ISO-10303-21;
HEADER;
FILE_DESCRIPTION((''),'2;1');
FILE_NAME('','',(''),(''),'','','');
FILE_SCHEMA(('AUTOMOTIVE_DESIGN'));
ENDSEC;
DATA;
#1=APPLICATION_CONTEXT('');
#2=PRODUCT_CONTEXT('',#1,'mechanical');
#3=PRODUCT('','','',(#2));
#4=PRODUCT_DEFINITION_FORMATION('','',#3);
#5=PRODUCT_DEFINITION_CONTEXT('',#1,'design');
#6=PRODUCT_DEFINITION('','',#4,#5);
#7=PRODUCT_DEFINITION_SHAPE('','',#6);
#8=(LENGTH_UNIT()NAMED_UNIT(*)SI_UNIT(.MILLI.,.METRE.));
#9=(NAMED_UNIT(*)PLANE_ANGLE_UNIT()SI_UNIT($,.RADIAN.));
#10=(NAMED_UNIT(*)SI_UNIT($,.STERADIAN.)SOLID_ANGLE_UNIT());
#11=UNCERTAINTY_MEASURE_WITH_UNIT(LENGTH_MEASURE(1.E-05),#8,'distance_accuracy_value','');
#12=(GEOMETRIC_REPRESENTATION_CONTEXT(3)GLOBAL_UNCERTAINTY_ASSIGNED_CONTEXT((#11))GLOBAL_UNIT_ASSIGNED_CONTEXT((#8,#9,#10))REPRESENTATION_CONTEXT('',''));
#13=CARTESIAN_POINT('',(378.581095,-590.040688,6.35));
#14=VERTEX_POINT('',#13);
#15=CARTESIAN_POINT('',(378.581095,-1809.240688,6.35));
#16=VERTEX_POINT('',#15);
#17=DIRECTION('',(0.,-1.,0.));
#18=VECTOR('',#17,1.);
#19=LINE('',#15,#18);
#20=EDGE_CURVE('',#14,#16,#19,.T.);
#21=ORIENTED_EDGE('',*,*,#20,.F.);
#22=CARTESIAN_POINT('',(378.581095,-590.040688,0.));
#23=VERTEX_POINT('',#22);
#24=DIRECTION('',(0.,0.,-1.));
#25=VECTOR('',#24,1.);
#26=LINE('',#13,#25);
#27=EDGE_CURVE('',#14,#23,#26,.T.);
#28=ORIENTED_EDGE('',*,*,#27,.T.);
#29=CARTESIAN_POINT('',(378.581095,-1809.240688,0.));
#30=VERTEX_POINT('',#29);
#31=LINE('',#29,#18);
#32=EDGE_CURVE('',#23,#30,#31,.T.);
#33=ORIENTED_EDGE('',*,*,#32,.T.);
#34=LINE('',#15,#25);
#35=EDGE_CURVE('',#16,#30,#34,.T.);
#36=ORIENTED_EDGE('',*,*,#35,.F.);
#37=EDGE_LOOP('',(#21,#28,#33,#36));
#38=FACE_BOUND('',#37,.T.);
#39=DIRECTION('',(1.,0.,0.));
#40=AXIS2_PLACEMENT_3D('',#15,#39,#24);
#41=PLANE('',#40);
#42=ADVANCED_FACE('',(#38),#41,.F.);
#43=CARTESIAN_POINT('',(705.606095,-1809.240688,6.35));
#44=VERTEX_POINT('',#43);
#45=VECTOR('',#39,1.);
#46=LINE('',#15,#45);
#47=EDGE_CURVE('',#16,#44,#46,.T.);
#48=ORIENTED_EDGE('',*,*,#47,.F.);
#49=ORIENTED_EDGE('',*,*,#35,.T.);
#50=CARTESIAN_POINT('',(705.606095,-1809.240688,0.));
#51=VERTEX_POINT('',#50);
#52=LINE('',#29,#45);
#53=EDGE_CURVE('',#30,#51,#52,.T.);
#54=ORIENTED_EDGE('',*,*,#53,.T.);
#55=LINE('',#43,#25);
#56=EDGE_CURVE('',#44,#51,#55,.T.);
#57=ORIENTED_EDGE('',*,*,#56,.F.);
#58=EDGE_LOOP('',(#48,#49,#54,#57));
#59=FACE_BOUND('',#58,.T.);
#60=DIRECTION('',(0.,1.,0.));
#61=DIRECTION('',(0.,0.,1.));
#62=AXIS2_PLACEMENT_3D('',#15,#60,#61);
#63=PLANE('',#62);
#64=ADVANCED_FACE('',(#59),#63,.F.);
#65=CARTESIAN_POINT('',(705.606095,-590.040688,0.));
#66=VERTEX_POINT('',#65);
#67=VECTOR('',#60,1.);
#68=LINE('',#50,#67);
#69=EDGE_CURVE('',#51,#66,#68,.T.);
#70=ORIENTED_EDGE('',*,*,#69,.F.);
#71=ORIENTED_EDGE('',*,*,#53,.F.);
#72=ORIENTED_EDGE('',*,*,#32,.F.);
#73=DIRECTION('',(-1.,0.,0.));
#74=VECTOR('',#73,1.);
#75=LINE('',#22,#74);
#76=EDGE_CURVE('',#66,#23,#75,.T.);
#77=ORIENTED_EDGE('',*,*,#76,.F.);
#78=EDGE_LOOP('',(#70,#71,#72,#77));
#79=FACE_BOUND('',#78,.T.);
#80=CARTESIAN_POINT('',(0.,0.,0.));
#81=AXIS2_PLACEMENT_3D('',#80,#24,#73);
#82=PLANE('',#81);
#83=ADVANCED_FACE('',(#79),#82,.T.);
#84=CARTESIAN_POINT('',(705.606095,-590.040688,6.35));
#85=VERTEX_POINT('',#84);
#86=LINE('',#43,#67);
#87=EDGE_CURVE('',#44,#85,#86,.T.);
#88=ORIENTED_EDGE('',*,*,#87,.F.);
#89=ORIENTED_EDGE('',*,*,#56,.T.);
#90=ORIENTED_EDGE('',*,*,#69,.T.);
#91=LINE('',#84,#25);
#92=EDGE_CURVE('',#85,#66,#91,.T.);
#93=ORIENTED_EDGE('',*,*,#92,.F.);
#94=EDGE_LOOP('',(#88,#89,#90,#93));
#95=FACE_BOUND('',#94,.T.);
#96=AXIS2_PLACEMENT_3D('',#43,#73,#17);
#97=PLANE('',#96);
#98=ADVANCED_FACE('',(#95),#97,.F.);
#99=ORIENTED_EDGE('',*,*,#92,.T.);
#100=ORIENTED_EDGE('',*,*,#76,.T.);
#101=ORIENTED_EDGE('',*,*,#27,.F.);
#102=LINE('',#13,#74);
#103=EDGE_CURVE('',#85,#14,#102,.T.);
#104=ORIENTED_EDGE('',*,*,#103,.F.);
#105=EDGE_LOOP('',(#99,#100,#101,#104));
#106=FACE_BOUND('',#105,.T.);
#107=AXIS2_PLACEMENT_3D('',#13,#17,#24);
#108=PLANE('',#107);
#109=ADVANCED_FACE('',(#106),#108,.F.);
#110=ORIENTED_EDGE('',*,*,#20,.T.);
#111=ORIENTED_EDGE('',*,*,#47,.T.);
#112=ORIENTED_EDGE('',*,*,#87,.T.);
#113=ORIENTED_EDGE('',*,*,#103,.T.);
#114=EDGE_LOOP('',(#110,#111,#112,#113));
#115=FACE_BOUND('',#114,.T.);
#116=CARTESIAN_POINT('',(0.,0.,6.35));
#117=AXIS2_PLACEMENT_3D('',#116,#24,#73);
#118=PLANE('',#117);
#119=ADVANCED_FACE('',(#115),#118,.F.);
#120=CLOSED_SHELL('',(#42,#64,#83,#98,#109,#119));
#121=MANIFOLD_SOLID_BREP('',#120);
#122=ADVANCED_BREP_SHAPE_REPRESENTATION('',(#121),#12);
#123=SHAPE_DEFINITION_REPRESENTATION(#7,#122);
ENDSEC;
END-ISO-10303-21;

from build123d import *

# Parameters (mm, degrees)
SKETCH1_W           = 327.025
SKETCH1_H           = 1219.2
BOSS_EXTRUDE1_DEPTH = 6.35


with BuildPart() as part:
    # Sketch1 → Boss-Extrude1 (new body)
    with BuildSketch(Plane.XY):
        with Locations((542.093594865, -1199.640687798)):
            Rectangle(SKETCH1_W, SKETCH1_H)
    extrude(amount=BOSS_EXTRUDE1_DEPTH)


solid = part.part
